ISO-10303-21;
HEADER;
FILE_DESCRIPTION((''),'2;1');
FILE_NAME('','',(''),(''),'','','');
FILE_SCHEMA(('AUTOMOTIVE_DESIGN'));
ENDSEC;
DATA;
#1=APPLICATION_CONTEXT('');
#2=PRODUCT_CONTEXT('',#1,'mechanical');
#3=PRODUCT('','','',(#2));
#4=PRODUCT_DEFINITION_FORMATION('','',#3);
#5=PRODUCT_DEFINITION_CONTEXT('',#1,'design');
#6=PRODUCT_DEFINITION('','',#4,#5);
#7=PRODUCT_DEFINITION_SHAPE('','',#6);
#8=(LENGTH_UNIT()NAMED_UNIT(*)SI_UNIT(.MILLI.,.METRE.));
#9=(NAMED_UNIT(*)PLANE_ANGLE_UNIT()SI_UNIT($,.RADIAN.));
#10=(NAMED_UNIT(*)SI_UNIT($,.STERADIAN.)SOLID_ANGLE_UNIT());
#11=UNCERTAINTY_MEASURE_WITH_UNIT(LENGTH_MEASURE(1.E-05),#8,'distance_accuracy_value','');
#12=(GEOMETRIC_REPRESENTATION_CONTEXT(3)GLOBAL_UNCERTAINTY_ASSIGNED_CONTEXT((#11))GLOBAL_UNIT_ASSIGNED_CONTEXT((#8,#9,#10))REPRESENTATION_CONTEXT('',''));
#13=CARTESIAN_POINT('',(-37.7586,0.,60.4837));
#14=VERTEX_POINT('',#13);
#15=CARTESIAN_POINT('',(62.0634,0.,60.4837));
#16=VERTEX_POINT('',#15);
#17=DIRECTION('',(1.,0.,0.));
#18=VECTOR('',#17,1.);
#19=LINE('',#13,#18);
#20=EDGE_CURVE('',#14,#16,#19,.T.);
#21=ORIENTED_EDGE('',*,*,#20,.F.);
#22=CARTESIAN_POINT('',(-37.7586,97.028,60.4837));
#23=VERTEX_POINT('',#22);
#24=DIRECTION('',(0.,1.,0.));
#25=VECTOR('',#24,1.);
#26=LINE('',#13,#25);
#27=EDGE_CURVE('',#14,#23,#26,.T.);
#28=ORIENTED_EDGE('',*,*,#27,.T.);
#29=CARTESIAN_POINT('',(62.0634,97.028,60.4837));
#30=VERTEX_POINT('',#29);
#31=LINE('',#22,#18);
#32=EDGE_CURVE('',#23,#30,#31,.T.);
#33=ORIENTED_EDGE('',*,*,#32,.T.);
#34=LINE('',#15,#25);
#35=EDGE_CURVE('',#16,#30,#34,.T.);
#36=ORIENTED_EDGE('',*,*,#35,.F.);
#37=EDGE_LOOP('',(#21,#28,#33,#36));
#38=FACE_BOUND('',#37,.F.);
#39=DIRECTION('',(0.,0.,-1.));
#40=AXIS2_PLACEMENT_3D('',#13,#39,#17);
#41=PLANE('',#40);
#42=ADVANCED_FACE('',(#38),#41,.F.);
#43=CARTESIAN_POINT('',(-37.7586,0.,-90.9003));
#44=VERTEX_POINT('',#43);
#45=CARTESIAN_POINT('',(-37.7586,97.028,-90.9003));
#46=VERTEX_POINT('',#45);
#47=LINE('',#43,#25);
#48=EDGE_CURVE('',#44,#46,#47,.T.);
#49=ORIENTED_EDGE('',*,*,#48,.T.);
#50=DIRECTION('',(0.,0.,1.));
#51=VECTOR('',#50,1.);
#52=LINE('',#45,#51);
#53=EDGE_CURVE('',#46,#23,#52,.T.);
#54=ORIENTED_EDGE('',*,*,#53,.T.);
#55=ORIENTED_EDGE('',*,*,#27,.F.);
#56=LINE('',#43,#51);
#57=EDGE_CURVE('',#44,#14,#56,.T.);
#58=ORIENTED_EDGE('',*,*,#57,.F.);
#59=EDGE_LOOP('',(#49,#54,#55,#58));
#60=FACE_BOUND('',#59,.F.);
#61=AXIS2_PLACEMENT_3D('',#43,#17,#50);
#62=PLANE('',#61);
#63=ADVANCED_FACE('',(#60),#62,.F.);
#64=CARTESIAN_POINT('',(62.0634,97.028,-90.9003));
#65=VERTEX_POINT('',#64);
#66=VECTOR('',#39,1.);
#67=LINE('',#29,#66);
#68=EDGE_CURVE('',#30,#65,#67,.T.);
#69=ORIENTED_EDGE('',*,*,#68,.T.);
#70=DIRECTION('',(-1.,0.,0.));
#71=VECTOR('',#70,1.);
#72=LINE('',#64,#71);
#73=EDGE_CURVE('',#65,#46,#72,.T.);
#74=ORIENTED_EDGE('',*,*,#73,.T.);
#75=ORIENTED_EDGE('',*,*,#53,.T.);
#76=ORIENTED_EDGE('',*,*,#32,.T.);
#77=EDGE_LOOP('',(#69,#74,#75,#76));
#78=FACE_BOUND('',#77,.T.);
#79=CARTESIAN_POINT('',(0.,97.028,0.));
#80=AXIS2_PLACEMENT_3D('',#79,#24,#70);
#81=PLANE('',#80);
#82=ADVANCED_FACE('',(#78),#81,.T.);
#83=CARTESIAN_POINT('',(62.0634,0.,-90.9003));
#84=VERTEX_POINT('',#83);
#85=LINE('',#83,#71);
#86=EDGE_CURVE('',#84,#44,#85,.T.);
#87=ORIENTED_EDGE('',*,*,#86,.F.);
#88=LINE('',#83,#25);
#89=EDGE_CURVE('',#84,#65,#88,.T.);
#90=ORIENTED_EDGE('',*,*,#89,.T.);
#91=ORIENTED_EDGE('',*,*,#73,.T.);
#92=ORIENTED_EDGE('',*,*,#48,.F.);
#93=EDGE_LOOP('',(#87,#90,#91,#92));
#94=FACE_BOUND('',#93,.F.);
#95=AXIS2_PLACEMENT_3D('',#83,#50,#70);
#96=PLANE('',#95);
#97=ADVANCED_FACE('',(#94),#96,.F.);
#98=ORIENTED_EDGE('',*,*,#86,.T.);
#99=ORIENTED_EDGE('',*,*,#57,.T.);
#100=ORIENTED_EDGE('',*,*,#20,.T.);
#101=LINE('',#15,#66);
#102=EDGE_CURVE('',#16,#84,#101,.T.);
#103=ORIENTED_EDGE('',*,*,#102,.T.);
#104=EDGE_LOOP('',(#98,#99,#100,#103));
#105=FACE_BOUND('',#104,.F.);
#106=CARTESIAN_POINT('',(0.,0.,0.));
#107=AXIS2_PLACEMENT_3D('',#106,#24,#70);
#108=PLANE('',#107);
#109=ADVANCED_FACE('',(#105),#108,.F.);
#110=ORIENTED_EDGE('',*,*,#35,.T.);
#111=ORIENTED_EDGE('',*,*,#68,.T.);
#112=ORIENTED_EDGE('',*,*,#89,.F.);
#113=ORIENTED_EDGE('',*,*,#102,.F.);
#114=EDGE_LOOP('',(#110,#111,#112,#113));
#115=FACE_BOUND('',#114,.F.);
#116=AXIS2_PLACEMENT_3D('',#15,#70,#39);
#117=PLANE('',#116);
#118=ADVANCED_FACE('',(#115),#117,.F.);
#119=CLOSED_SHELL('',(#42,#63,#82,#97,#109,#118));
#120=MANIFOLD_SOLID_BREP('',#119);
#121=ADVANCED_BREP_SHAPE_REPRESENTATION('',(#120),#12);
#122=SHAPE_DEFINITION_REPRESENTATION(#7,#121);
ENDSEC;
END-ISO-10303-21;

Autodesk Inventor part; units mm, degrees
ref_plane "YZ Plane" through (0, 0, 0) normal (1, 0, 0) x (0, 1, 0)
ref_plane "XZ Plane" through (0, 0, 0) normal (0, 1, 0) x (-1, 0, 0)
ref_plane "XY Plane" through (0, 0, 0) normal (0, 0, 1) x (1, 0, 0)
sketch "Sketch1" plane through (0, 0, 0) normal (0, 1, 0) x (-1, 0, 0)
  line L0 (37.7586, 60.4837) -> (-62.0634, 60.4837)
  line L1 (-62.0634, 60.4837) -> (-62.0634, -90.9003)
  line L2 (-62.0634, -90.9003) -> (37.7586, -90.9003)
  line L3 (37.7586, -90.9003) -> (37.7586, 60.4837)
  point P0 (0, 0)
  dimension "d0" = 151.384
  dimension "d1" = 99.822
extrude "Extrusion1" add sketch "Sketch1" along normal blind 97.028
properties part number "SmallBattery"
